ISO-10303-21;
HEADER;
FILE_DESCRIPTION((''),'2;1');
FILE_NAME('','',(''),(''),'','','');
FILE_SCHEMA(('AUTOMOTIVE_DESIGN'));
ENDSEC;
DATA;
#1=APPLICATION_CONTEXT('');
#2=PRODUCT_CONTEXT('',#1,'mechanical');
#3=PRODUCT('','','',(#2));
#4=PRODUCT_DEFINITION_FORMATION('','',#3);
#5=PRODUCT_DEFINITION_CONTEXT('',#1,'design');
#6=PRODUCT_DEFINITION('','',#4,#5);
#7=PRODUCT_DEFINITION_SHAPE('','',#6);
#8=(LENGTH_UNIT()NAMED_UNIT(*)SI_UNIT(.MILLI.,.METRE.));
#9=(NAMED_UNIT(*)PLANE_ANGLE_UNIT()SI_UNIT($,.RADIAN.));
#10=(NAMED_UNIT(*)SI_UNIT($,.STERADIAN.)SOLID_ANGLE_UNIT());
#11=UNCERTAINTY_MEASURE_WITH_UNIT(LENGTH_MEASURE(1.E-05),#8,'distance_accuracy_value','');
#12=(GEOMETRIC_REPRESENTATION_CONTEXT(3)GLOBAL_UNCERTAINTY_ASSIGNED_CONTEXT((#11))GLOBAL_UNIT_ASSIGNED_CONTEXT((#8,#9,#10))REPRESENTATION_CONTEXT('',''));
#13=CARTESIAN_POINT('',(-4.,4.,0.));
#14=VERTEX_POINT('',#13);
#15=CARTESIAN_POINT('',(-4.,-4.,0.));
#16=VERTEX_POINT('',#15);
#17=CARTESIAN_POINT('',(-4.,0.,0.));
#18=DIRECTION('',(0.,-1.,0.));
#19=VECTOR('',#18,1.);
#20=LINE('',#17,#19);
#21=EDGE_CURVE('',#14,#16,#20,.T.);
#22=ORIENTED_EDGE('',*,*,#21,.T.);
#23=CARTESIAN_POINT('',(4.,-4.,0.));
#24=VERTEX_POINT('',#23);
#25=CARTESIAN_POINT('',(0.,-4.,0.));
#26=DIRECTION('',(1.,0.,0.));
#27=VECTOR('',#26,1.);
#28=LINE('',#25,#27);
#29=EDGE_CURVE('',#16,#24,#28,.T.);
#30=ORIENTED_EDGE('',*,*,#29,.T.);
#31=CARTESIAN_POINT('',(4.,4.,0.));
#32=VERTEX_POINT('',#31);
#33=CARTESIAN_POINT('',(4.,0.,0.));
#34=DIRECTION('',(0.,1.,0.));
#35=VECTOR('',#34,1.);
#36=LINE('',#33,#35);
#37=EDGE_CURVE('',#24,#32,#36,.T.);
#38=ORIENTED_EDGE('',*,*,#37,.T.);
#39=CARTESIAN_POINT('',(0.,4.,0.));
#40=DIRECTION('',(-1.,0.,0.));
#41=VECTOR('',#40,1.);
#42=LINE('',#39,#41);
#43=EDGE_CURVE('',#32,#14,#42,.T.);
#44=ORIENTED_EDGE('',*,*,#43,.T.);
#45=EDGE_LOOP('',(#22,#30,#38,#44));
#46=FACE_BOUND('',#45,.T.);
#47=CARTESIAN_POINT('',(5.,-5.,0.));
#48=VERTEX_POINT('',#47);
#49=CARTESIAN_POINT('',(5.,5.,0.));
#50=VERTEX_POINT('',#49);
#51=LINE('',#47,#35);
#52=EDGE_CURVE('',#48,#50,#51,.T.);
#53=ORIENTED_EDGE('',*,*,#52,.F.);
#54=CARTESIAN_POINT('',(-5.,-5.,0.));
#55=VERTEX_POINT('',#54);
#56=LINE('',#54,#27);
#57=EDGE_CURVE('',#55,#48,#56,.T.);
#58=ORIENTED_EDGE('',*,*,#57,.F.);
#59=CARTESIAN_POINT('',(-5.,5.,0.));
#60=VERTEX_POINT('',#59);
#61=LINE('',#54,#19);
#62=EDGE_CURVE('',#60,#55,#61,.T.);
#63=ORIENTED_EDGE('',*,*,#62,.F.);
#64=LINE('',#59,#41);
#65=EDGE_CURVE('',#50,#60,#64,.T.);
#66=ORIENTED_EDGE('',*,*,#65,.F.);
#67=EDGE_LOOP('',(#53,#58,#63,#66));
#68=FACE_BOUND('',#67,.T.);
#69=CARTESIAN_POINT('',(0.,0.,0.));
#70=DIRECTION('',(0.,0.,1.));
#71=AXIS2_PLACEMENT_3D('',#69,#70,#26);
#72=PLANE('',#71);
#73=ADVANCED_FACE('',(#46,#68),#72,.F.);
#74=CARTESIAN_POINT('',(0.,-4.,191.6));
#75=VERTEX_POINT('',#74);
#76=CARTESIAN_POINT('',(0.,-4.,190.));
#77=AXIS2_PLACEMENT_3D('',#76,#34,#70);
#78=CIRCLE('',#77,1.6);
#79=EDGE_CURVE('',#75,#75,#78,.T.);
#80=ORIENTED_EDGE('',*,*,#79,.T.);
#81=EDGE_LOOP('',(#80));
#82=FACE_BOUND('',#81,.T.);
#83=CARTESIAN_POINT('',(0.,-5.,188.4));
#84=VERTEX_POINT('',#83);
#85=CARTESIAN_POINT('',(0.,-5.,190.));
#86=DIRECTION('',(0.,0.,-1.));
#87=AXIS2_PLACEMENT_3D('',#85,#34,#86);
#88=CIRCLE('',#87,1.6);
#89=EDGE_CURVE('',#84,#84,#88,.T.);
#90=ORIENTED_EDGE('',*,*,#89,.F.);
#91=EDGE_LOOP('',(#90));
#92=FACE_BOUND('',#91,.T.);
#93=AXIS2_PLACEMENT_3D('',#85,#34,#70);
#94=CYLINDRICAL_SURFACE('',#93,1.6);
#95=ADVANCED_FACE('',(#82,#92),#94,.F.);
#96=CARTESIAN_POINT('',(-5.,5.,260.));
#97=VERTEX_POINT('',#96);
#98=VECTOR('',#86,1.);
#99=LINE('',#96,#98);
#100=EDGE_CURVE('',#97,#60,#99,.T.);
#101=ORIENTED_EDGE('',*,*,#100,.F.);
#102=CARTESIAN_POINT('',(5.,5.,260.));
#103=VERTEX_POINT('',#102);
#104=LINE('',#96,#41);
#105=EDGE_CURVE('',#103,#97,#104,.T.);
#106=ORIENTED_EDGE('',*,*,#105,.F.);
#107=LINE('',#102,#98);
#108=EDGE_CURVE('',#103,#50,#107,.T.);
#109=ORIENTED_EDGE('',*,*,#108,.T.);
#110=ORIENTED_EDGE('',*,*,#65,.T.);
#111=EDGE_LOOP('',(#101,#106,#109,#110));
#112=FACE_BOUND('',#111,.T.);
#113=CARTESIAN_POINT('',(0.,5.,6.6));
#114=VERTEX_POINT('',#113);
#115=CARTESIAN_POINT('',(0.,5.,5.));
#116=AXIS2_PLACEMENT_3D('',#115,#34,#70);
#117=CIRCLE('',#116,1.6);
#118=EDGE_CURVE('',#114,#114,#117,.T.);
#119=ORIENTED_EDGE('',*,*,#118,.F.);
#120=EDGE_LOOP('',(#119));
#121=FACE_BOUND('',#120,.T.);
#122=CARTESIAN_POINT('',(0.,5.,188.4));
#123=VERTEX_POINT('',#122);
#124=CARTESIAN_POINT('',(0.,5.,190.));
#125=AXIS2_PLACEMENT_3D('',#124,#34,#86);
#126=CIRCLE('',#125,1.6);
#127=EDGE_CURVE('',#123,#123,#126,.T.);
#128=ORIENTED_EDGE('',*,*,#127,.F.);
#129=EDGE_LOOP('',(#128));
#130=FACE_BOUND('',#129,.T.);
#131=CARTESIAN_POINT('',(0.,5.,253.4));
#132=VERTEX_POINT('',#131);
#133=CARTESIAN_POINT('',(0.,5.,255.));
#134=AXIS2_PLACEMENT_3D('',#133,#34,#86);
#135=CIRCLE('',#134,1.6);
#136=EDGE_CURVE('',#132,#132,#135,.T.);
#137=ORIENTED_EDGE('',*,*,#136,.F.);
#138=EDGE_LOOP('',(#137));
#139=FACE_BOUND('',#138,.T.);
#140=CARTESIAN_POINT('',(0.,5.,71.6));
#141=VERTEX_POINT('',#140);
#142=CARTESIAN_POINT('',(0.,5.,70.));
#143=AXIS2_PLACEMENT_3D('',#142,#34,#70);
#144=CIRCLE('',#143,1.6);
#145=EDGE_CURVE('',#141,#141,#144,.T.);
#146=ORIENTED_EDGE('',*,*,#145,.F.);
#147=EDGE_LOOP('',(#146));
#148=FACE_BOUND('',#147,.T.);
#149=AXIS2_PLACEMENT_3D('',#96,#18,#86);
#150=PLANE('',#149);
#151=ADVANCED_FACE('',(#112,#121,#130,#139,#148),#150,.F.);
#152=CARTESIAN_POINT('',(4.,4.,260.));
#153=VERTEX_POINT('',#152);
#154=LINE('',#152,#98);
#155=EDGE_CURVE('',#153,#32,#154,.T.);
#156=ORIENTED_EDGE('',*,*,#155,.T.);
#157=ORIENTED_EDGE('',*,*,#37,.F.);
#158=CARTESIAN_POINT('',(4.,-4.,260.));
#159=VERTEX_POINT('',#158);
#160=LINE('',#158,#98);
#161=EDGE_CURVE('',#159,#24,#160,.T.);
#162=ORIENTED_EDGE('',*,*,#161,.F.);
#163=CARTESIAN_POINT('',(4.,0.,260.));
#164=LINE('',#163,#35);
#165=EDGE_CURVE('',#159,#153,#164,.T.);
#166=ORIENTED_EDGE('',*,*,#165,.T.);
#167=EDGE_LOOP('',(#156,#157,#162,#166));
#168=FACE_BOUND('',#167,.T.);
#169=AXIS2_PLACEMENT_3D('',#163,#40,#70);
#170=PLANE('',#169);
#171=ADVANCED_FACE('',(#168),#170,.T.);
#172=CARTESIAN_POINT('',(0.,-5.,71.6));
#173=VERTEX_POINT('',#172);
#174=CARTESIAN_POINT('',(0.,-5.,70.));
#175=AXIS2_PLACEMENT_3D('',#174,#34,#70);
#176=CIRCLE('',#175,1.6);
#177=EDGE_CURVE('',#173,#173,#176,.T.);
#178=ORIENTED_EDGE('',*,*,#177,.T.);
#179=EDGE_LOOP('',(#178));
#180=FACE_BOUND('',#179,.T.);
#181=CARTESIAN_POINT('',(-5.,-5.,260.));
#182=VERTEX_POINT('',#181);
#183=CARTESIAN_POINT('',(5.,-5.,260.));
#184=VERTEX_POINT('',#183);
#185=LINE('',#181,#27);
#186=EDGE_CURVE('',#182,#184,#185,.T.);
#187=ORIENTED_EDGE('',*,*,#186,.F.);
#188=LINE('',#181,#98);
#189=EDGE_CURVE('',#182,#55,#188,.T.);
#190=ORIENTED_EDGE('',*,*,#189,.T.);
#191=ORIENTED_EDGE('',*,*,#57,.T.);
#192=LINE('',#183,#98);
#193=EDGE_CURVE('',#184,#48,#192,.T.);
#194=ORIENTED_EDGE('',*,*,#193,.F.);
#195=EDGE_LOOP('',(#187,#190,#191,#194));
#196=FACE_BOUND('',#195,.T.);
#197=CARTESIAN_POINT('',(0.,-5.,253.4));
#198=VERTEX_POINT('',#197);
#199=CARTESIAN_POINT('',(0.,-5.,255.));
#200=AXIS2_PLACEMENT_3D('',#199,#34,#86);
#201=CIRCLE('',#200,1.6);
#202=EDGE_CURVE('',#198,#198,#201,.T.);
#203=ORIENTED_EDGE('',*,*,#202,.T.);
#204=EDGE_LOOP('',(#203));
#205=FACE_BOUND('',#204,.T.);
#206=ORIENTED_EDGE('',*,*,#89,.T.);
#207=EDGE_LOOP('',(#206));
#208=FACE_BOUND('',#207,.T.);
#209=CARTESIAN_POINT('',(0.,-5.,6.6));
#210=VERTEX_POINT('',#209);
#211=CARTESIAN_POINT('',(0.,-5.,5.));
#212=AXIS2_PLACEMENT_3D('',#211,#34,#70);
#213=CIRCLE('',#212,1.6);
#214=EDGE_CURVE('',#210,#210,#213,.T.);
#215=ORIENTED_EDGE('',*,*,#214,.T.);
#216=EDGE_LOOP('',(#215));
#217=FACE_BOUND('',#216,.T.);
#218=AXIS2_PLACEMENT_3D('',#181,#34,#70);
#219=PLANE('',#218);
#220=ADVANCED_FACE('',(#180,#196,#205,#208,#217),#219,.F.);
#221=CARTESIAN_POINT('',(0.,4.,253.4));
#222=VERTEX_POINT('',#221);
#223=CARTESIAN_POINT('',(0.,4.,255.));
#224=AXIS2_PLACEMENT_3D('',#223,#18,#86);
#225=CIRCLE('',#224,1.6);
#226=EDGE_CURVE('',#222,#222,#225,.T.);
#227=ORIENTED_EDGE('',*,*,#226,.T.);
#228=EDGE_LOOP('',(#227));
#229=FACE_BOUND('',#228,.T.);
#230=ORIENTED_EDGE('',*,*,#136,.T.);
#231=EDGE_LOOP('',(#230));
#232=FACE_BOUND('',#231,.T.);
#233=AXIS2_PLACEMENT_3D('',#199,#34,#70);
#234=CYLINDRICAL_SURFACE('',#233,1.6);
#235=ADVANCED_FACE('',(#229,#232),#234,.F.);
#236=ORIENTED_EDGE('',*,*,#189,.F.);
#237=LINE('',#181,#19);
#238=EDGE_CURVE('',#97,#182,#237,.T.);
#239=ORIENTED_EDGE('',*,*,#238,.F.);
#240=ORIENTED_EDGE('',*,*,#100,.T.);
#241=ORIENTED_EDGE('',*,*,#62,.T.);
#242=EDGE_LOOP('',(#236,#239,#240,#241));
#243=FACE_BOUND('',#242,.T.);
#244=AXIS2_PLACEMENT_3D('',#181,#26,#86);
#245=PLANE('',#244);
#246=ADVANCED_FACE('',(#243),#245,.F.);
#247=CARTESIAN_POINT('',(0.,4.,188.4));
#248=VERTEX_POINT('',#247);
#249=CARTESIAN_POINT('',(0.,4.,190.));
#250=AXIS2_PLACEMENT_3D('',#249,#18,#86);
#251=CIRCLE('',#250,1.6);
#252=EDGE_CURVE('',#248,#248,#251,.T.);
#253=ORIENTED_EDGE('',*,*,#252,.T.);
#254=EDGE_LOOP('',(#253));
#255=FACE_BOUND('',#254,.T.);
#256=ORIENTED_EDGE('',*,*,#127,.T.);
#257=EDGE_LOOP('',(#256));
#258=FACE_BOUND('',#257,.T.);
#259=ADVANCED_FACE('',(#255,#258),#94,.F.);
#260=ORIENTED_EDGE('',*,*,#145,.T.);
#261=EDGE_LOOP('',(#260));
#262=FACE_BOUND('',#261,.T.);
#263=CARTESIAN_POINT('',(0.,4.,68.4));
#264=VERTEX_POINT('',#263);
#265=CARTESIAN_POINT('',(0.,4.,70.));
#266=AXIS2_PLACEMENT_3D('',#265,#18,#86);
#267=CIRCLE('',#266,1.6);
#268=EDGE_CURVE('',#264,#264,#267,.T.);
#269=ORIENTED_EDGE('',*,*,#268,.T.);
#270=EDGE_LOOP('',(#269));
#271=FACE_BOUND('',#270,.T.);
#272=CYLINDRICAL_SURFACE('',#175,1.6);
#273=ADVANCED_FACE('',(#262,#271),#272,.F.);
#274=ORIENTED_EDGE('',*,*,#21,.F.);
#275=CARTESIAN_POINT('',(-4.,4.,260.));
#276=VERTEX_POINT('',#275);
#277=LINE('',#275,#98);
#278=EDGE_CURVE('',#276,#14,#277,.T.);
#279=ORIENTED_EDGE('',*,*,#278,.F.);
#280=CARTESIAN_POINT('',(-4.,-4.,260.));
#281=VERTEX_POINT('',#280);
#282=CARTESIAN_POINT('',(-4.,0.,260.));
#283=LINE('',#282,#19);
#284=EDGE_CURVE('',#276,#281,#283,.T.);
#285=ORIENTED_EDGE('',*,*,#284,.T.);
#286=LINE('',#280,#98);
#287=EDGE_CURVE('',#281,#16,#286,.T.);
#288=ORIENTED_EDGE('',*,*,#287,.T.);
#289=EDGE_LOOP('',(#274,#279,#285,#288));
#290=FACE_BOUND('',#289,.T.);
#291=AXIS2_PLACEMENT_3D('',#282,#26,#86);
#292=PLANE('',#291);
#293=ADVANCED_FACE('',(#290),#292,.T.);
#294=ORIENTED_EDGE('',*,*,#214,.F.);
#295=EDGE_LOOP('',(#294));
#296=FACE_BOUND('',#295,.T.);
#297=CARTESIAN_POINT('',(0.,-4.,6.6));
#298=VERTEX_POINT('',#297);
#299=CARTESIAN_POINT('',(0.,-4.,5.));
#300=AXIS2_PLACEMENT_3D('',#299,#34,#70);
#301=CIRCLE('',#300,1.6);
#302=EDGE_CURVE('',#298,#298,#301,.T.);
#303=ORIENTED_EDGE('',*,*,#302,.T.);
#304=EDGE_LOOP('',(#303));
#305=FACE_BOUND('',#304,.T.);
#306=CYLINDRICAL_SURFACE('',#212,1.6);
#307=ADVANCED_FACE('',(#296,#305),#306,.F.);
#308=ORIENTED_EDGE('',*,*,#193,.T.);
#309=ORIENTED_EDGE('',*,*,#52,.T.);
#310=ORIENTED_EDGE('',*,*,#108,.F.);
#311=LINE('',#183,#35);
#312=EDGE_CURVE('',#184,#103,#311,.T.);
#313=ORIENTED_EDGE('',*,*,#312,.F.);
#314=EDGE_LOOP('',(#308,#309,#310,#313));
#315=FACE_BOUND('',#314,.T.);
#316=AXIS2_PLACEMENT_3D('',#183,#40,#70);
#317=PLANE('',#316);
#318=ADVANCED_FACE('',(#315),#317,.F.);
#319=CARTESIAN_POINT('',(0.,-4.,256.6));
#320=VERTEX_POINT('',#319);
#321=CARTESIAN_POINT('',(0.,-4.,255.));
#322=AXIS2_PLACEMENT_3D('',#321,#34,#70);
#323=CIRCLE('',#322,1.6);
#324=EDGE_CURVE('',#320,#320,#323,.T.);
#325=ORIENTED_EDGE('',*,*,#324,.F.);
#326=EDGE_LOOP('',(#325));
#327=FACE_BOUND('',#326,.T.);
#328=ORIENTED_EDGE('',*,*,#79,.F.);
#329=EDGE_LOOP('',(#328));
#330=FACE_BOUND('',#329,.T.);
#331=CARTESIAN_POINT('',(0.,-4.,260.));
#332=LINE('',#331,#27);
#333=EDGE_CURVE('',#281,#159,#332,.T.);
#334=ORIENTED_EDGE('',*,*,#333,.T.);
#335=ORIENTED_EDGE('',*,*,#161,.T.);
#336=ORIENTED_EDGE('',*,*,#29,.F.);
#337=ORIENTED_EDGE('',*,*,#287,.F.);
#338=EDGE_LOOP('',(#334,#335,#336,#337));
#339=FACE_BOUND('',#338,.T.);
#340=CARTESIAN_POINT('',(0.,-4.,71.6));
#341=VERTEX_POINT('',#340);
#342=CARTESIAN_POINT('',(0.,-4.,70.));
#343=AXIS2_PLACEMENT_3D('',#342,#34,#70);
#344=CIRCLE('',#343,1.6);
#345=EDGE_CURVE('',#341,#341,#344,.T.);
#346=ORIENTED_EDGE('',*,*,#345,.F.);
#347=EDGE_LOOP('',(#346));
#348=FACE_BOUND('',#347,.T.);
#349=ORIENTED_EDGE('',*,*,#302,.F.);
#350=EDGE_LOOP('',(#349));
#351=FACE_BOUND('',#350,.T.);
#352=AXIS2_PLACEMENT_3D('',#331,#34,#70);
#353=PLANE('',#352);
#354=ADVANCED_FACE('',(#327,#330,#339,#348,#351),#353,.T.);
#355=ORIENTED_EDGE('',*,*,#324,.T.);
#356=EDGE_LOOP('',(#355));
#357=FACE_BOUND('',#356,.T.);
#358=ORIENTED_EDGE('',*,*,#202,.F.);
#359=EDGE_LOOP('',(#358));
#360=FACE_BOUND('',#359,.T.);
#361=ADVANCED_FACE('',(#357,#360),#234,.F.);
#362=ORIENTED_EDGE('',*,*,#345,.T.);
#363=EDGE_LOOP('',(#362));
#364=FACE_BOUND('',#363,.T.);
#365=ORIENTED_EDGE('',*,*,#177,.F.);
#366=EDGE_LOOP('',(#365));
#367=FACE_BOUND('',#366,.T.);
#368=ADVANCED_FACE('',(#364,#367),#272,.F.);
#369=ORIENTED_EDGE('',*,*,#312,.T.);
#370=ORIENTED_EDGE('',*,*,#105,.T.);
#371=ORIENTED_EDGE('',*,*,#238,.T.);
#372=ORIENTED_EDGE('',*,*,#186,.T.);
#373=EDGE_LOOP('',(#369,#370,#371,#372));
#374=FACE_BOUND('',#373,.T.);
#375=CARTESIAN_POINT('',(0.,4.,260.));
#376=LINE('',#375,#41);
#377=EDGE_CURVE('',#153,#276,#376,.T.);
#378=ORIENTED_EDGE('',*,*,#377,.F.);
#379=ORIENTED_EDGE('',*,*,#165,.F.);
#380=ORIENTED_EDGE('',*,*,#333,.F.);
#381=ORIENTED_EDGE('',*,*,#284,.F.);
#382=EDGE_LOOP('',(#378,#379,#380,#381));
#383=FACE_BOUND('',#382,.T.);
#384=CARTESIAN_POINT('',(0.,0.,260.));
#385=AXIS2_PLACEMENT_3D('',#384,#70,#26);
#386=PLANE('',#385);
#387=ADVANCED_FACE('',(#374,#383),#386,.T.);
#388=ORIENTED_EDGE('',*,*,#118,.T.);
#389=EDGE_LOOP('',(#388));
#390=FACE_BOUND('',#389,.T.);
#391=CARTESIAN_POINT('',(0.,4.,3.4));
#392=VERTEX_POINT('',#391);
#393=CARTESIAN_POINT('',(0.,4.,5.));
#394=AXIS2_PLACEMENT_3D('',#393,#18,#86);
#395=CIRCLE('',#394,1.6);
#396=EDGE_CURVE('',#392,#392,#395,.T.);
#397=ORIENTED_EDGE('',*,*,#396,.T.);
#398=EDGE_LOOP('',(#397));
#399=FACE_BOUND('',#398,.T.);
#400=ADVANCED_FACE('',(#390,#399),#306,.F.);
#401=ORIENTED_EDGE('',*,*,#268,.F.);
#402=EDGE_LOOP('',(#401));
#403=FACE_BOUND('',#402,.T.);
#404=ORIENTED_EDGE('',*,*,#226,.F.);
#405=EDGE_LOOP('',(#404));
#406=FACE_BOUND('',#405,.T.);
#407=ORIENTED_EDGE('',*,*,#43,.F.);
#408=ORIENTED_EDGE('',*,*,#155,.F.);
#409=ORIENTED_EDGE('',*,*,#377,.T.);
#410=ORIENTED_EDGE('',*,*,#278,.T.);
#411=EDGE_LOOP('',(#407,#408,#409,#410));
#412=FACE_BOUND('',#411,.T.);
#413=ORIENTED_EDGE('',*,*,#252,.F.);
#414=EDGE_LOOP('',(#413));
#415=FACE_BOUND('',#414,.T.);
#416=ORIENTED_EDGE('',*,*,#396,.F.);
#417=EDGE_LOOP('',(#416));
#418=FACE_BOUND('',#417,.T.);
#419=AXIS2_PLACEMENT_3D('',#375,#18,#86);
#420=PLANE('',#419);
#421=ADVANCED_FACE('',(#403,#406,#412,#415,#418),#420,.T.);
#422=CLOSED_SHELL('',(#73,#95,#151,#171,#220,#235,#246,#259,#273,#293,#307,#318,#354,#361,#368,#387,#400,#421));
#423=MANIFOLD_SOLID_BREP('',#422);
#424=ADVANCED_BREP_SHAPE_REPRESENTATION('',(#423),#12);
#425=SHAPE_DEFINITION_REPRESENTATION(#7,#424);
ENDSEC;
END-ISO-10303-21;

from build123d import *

# Parameters (mm, degrees)
SKETCH_281_W          = 10
SKETCH_281_H          = 10
SKETCH_281_W_2        = 8
SKETCH_281_H_2        = 8
EXTRUDE_338_DEPTH     = 260
SKETCH_410_R          = 1.6
CUT_EXTRUDE_779_DEPTH = 261.240273593


with BuildPart() as part:
    # Sketch 281 → Extrude 338 (new body)
    with BuildSketch(Plane.XY):
        Rectangle(SKETCH_281_W, SKETCH_281_H)
        Rectangle(SKETCH_281_W_2, SKETCH_281_H_2, mode=Mode.SUBTRACT)
    extrude(amount=EXTRUDE_338_DEPTH)

    # Sketch 410 → Cut-Extrude 779 (cut, through all)
    with BuildSketch(Plane(origin=(0, 5, 0), x_dir=(1, 0, 0), z_dir=(0, 1, 0))):
        with Locations(Location((0, -5, 0), (0, 0, 270))):
            Circle(SKETCH_410_R)
        with Locations(Location((0, -70, 0), (0, 0, 270))):
            Circle(SKETCH_410_R)
        with Locations(Location((0, -190, 0), (0, 0, 270))):
            Circle(SKETCH_410_R)
        with Locations(Location((0, -255, 0), (0, 0, 270))):
            Circle(SKETCH_410_R)
    extrude(amount=-CUT_EXTRUDE_779_DEPTH, mode=Mode.SUBTRACT)


solid = part.part
